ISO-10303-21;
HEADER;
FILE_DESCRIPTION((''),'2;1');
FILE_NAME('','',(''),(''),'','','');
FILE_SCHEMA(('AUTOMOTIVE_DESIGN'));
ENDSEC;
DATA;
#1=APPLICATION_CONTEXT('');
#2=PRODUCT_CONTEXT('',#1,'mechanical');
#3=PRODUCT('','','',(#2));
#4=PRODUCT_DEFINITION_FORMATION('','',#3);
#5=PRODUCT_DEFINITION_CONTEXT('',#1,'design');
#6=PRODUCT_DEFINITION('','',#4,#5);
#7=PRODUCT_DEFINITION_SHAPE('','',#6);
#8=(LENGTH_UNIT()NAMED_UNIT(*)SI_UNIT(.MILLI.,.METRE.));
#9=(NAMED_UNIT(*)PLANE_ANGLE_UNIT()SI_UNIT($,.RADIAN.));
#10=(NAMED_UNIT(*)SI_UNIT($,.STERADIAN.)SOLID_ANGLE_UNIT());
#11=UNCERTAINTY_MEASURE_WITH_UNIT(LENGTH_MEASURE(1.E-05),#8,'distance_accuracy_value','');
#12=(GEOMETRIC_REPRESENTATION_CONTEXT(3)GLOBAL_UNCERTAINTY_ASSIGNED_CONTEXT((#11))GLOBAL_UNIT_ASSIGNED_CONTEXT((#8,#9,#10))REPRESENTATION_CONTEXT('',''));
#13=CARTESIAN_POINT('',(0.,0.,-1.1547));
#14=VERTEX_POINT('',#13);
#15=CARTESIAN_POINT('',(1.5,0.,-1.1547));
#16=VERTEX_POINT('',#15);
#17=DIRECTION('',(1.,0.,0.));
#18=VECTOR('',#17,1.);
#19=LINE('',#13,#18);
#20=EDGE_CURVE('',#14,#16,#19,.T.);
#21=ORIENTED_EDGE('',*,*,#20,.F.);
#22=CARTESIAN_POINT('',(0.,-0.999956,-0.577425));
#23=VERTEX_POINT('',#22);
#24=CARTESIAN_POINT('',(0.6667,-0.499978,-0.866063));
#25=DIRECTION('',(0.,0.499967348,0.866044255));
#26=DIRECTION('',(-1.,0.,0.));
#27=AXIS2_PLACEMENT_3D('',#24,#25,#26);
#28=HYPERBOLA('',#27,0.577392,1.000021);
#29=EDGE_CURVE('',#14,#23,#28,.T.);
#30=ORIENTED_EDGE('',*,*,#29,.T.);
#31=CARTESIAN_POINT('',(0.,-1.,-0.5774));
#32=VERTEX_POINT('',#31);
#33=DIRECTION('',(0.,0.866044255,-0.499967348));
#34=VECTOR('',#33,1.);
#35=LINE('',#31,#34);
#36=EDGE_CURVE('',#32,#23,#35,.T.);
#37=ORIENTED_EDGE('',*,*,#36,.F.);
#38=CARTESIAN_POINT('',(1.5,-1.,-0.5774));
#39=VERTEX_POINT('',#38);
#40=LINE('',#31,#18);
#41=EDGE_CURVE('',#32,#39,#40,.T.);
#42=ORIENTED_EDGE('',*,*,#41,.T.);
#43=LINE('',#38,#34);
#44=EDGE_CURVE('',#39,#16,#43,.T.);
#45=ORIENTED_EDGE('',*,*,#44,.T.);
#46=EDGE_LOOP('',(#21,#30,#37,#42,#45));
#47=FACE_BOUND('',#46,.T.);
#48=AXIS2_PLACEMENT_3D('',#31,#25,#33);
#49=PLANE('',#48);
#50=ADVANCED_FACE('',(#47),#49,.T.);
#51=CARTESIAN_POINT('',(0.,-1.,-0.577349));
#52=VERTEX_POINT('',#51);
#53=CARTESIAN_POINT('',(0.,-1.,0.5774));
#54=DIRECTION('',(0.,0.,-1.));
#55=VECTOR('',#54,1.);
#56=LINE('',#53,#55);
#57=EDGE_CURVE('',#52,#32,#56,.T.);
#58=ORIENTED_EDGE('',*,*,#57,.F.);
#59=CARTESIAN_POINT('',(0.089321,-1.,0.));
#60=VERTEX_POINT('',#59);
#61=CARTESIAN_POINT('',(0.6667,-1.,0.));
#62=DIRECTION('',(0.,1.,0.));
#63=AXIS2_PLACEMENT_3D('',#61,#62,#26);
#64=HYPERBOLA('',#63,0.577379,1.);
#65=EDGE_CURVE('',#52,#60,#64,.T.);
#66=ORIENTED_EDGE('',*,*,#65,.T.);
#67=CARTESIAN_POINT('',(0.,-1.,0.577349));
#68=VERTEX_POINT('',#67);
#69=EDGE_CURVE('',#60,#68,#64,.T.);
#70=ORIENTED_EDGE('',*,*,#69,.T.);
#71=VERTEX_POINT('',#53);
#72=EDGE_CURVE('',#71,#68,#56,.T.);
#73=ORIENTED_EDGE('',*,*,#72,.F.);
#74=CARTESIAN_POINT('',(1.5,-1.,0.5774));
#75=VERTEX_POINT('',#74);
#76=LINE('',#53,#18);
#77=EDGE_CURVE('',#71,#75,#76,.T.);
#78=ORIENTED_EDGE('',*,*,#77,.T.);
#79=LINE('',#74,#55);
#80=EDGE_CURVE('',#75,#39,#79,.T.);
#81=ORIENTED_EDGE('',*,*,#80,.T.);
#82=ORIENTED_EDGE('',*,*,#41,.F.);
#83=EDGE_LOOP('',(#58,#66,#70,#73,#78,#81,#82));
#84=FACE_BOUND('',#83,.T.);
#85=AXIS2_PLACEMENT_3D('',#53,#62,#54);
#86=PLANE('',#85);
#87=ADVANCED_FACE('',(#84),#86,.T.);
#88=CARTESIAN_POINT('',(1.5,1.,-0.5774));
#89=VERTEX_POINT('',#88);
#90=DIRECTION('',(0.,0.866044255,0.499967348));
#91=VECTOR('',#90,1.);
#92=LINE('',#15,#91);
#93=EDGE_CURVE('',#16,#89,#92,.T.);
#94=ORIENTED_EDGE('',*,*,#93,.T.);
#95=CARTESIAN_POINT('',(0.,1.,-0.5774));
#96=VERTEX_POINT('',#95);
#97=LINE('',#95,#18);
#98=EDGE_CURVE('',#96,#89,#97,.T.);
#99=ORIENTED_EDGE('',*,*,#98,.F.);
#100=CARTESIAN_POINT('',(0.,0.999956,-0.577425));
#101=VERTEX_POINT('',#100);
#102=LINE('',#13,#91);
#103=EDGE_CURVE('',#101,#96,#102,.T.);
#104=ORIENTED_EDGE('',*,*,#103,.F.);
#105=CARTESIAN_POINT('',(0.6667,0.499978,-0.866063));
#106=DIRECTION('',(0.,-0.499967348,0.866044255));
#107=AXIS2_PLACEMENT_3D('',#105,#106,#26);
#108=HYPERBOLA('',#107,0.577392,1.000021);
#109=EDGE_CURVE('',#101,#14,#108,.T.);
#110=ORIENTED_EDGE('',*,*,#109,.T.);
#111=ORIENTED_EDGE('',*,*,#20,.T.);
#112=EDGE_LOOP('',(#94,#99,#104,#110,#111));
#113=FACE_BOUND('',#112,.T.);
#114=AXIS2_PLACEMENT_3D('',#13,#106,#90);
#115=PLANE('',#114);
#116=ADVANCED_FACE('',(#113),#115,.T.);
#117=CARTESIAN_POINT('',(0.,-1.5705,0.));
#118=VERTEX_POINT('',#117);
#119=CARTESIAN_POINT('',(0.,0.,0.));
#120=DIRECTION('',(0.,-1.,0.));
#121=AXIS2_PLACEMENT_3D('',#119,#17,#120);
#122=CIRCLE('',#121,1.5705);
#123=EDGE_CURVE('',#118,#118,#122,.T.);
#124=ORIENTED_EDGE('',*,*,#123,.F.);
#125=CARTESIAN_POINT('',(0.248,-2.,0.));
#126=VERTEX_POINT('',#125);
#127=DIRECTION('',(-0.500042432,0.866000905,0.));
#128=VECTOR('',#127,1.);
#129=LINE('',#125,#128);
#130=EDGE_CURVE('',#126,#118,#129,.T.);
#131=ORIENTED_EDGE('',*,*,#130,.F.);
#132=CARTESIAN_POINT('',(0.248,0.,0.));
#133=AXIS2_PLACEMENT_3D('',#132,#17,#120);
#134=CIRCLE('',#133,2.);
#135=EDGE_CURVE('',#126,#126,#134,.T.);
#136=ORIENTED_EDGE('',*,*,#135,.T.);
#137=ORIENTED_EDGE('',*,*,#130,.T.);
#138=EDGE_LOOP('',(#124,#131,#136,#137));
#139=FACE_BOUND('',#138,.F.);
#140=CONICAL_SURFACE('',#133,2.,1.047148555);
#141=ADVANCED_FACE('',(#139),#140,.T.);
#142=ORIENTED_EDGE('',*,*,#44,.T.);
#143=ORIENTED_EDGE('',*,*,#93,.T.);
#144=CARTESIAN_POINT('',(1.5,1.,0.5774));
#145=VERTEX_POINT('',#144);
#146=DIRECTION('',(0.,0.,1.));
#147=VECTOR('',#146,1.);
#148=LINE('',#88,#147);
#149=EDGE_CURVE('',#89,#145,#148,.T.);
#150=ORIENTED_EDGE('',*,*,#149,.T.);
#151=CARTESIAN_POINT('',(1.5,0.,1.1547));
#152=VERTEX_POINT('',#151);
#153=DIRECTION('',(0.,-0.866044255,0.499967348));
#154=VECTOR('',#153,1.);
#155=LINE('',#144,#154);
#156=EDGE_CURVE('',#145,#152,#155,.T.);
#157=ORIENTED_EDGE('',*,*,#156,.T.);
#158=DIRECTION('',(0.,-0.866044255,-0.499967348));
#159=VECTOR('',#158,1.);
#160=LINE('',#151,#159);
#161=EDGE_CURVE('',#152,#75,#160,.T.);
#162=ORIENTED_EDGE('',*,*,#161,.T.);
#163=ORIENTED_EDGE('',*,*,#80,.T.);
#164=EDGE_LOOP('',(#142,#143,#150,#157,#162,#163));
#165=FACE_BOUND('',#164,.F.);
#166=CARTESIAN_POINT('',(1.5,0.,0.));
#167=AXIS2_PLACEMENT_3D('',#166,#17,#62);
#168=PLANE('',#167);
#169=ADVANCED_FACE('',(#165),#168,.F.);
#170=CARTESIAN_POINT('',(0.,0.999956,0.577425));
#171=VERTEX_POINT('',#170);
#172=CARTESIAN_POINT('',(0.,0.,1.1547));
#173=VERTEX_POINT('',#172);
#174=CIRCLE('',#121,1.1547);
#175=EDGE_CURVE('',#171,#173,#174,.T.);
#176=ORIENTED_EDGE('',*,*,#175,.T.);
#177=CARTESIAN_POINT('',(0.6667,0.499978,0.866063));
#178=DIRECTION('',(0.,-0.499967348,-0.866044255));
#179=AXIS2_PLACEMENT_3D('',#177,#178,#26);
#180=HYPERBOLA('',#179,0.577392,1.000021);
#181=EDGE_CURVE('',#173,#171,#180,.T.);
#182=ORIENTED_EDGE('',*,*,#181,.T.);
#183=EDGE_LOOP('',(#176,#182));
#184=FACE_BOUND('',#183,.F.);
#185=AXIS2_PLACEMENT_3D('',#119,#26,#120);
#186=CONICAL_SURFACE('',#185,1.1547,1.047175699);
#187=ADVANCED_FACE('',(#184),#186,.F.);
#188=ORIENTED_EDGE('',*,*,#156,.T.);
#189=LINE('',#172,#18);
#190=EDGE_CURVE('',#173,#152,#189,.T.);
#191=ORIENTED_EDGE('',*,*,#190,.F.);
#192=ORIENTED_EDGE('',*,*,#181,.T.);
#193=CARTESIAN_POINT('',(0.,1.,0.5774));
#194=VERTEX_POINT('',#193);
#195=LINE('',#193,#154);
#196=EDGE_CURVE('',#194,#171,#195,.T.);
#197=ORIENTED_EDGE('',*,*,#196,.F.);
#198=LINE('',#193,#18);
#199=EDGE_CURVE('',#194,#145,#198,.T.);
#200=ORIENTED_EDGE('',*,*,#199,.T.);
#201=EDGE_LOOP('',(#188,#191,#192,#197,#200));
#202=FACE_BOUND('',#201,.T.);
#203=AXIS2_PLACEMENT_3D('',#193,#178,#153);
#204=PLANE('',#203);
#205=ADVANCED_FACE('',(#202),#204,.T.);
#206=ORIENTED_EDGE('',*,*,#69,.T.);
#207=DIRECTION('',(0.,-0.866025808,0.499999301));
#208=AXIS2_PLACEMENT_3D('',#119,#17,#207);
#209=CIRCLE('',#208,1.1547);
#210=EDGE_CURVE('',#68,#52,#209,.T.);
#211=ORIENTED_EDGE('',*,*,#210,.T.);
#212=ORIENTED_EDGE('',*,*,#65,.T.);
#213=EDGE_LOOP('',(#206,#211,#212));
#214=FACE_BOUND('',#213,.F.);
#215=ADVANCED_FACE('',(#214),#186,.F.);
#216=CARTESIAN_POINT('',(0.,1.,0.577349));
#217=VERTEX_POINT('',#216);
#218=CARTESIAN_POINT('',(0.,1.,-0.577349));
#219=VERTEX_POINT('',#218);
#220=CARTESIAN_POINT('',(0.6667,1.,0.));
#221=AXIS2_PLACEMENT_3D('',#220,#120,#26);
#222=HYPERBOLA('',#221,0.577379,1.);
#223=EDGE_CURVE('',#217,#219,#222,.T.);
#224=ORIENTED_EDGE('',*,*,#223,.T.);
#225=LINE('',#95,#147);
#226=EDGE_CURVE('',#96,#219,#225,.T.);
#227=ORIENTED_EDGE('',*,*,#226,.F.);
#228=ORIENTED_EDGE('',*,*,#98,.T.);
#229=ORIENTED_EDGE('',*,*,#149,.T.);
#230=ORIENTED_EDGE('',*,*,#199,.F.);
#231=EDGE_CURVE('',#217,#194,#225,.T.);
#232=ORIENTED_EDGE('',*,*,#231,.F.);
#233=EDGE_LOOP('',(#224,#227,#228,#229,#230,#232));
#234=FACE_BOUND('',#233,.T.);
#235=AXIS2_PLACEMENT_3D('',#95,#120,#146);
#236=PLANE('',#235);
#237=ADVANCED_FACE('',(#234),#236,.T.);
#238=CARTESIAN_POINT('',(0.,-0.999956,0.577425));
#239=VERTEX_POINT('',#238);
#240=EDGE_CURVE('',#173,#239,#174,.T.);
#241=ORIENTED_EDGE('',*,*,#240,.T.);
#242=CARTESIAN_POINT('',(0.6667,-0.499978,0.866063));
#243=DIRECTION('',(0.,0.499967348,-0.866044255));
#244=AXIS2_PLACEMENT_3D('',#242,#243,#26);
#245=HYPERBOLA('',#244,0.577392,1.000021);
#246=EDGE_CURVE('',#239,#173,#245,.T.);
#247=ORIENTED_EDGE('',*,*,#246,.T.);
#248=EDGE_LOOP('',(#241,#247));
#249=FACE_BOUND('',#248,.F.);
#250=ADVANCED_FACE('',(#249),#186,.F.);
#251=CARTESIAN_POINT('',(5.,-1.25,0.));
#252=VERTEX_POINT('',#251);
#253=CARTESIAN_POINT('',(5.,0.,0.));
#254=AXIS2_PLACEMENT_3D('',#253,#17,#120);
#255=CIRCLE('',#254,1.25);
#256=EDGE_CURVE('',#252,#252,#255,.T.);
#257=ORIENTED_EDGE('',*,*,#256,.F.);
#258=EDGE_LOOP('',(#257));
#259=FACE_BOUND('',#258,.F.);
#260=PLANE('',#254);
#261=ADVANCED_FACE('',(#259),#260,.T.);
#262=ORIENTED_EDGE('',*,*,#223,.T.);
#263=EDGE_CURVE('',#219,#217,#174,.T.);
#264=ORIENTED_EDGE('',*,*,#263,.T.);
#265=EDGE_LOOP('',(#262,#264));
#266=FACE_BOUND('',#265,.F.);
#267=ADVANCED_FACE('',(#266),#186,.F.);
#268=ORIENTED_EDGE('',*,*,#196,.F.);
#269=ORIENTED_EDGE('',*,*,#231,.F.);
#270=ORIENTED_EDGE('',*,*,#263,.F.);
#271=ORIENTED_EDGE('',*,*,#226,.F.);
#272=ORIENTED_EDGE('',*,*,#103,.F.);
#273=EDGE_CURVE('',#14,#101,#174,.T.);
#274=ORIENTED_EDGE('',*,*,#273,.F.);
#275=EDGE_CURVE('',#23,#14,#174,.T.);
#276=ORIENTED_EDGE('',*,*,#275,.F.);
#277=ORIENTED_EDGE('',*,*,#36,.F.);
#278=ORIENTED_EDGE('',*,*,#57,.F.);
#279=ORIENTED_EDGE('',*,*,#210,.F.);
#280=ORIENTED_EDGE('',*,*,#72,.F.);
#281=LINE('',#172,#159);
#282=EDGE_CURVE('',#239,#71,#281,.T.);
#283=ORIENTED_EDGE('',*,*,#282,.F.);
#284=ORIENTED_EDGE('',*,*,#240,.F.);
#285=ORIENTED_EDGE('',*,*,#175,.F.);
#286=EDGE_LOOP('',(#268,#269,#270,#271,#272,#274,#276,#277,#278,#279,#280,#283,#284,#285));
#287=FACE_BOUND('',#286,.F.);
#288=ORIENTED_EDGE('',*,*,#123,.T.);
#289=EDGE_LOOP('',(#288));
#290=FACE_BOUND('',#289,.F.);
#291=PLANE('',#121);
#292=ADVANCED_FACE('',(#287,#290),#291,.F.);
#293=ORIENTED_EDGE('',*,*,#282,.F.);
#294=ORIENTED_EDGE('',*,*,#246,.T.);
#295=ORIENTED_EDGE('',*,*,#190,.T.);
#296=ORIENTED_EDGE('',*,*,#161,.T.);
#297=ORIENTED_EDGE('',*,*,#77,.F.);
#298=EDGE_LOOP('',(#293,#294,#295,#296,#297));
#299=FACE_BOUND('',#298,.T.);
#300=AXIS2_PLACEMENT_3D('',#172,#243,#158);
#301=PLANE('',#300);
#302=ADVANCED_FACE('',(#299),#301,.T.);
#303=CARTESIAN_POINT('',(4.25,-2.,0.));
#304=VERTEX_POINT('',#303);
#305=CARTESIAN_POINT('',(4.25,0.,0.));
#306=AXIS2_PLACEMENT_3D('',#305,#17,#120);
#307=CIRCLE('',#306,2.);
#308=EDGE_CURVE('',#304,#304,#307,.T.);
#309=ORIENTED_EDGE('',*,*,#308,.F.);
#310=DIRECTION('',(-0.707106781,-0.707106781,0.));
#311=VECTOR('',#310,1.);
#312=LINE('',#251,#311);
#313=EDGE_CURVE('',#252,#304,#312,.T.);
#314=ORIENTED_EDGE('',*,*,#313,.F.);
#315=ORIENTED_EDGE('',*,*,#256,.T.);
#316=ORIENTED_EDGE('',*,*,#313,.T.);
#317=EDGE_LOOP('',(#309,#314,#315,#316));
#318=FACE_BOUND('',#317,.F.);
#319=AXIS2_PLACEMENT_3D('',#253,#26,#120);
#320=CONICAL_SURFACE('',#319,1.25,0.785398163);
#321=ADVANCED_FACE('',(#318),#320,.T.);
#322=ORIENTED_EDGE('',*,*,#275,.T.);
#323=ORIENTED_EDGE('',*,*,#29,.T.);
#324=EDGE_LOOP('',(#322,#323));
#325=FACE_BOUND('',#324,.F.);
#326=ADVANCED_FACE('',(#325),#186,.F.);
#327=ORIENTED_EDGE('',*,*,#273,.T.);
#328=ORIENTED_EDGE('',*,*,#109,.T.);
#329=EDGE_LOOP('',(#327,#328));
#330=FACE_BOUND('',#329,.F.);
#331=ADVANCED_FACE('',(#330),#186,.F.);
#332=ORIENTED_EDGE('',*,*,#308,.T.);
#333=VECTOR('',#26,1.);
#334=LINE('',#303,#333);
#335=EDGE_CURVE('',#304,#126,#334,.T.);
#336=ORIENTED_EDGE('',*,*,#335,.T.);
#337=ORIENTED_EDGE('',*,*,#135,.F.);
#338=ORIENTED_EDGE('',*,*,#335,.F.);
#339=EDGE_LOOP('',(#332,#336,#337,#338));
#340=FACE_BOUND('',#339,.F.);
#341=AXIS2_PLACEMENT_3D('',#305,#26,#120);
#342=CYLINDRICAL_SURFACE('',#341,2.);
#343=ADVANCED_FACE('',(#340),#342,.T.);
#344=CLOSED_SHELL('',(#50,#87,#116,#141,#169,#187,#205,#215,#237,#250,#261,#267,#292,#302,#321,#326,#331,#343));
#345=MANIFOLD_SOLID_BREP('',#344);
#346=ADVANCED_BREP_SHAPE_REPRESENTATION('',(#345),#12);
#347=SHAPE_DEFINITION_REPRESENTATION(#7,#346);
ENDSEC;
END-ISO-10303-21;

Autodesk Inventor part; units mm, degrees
sketch "Sketch_1" plane through (0, 0, 0) normal (0, 0, 1) x (1, 0, 0)
  line L0 (0.6667, 0) -> (5, 0)
  line L1 (5, 0) -> (5, -1.25)
  line L2 (5, -1.25) -> (4.25, -2)
  line L3 (4.25, -2) -> (0.248, -2)
  line L4 (0.248, -2) -> (0, -1.5705)
  line L5 (0, -1.5705) -> (0, -1.1547)
  line L6 (0, -1.1547) -> (0.6667, 0)
  line L7 (0.6667, 0) -> (5, 0)
revolve "Revolution1" add sketch "Sketch_1" angle 360 about axis through (0.6667, 0, 0) along (1, 0, 0)
thread "Thread1" size "M4x0.7" class "6g" standard "ISO Metric profile" full length
sketch "Sketch_2" plane through (0, 0, 0) normal (1, 0, 0) x (0, 1, 0)
  line L0 (0, 1.1547) -> (-1, 0.5774)
  line L1 (-1, 0.5774) -> (-1, -0.5774)
  line L2 (-1, -0.5774) -> (0, -1.1547)
  line L3 (0, -1.1547) -> (1, -0.5774)
  line L4 (1, -0.5774) -> (1, 0.5774)
  line L5 (1, 0.5774) -> (0, 1.1547)
extrude "Extrusion1" cut sketch "Sketch_2" along normal blind 1.5
ref_plane "IP1_XY" through (0, 0, 0) normal (1, 0, 0) x (0, 0, -1)
ref_plane "IP1_YZ" through (0, 0, 0) normal (0, 0, -1) x (0, 1, 0)
ref_plane "IP1_ZX" through (0, 0, 0) normal (0, 1, 0) x (1, 0, 0)
ref_plane "IP2_XY" through (5, 0, 0) normal (1, 0, 0) x (0, 0, -1)
ref_plane "IP2_YZ" through (5, 0, 0) normal (0, 0, -1) x (0, 1, 0)
ref_plane "IP2_ZX" through (5, 0, 0) normal (0, 1, 0) x (1, 0, 0)
properties part number "Hexagon socket set screw with flat point DIN 913 - M4x5"
